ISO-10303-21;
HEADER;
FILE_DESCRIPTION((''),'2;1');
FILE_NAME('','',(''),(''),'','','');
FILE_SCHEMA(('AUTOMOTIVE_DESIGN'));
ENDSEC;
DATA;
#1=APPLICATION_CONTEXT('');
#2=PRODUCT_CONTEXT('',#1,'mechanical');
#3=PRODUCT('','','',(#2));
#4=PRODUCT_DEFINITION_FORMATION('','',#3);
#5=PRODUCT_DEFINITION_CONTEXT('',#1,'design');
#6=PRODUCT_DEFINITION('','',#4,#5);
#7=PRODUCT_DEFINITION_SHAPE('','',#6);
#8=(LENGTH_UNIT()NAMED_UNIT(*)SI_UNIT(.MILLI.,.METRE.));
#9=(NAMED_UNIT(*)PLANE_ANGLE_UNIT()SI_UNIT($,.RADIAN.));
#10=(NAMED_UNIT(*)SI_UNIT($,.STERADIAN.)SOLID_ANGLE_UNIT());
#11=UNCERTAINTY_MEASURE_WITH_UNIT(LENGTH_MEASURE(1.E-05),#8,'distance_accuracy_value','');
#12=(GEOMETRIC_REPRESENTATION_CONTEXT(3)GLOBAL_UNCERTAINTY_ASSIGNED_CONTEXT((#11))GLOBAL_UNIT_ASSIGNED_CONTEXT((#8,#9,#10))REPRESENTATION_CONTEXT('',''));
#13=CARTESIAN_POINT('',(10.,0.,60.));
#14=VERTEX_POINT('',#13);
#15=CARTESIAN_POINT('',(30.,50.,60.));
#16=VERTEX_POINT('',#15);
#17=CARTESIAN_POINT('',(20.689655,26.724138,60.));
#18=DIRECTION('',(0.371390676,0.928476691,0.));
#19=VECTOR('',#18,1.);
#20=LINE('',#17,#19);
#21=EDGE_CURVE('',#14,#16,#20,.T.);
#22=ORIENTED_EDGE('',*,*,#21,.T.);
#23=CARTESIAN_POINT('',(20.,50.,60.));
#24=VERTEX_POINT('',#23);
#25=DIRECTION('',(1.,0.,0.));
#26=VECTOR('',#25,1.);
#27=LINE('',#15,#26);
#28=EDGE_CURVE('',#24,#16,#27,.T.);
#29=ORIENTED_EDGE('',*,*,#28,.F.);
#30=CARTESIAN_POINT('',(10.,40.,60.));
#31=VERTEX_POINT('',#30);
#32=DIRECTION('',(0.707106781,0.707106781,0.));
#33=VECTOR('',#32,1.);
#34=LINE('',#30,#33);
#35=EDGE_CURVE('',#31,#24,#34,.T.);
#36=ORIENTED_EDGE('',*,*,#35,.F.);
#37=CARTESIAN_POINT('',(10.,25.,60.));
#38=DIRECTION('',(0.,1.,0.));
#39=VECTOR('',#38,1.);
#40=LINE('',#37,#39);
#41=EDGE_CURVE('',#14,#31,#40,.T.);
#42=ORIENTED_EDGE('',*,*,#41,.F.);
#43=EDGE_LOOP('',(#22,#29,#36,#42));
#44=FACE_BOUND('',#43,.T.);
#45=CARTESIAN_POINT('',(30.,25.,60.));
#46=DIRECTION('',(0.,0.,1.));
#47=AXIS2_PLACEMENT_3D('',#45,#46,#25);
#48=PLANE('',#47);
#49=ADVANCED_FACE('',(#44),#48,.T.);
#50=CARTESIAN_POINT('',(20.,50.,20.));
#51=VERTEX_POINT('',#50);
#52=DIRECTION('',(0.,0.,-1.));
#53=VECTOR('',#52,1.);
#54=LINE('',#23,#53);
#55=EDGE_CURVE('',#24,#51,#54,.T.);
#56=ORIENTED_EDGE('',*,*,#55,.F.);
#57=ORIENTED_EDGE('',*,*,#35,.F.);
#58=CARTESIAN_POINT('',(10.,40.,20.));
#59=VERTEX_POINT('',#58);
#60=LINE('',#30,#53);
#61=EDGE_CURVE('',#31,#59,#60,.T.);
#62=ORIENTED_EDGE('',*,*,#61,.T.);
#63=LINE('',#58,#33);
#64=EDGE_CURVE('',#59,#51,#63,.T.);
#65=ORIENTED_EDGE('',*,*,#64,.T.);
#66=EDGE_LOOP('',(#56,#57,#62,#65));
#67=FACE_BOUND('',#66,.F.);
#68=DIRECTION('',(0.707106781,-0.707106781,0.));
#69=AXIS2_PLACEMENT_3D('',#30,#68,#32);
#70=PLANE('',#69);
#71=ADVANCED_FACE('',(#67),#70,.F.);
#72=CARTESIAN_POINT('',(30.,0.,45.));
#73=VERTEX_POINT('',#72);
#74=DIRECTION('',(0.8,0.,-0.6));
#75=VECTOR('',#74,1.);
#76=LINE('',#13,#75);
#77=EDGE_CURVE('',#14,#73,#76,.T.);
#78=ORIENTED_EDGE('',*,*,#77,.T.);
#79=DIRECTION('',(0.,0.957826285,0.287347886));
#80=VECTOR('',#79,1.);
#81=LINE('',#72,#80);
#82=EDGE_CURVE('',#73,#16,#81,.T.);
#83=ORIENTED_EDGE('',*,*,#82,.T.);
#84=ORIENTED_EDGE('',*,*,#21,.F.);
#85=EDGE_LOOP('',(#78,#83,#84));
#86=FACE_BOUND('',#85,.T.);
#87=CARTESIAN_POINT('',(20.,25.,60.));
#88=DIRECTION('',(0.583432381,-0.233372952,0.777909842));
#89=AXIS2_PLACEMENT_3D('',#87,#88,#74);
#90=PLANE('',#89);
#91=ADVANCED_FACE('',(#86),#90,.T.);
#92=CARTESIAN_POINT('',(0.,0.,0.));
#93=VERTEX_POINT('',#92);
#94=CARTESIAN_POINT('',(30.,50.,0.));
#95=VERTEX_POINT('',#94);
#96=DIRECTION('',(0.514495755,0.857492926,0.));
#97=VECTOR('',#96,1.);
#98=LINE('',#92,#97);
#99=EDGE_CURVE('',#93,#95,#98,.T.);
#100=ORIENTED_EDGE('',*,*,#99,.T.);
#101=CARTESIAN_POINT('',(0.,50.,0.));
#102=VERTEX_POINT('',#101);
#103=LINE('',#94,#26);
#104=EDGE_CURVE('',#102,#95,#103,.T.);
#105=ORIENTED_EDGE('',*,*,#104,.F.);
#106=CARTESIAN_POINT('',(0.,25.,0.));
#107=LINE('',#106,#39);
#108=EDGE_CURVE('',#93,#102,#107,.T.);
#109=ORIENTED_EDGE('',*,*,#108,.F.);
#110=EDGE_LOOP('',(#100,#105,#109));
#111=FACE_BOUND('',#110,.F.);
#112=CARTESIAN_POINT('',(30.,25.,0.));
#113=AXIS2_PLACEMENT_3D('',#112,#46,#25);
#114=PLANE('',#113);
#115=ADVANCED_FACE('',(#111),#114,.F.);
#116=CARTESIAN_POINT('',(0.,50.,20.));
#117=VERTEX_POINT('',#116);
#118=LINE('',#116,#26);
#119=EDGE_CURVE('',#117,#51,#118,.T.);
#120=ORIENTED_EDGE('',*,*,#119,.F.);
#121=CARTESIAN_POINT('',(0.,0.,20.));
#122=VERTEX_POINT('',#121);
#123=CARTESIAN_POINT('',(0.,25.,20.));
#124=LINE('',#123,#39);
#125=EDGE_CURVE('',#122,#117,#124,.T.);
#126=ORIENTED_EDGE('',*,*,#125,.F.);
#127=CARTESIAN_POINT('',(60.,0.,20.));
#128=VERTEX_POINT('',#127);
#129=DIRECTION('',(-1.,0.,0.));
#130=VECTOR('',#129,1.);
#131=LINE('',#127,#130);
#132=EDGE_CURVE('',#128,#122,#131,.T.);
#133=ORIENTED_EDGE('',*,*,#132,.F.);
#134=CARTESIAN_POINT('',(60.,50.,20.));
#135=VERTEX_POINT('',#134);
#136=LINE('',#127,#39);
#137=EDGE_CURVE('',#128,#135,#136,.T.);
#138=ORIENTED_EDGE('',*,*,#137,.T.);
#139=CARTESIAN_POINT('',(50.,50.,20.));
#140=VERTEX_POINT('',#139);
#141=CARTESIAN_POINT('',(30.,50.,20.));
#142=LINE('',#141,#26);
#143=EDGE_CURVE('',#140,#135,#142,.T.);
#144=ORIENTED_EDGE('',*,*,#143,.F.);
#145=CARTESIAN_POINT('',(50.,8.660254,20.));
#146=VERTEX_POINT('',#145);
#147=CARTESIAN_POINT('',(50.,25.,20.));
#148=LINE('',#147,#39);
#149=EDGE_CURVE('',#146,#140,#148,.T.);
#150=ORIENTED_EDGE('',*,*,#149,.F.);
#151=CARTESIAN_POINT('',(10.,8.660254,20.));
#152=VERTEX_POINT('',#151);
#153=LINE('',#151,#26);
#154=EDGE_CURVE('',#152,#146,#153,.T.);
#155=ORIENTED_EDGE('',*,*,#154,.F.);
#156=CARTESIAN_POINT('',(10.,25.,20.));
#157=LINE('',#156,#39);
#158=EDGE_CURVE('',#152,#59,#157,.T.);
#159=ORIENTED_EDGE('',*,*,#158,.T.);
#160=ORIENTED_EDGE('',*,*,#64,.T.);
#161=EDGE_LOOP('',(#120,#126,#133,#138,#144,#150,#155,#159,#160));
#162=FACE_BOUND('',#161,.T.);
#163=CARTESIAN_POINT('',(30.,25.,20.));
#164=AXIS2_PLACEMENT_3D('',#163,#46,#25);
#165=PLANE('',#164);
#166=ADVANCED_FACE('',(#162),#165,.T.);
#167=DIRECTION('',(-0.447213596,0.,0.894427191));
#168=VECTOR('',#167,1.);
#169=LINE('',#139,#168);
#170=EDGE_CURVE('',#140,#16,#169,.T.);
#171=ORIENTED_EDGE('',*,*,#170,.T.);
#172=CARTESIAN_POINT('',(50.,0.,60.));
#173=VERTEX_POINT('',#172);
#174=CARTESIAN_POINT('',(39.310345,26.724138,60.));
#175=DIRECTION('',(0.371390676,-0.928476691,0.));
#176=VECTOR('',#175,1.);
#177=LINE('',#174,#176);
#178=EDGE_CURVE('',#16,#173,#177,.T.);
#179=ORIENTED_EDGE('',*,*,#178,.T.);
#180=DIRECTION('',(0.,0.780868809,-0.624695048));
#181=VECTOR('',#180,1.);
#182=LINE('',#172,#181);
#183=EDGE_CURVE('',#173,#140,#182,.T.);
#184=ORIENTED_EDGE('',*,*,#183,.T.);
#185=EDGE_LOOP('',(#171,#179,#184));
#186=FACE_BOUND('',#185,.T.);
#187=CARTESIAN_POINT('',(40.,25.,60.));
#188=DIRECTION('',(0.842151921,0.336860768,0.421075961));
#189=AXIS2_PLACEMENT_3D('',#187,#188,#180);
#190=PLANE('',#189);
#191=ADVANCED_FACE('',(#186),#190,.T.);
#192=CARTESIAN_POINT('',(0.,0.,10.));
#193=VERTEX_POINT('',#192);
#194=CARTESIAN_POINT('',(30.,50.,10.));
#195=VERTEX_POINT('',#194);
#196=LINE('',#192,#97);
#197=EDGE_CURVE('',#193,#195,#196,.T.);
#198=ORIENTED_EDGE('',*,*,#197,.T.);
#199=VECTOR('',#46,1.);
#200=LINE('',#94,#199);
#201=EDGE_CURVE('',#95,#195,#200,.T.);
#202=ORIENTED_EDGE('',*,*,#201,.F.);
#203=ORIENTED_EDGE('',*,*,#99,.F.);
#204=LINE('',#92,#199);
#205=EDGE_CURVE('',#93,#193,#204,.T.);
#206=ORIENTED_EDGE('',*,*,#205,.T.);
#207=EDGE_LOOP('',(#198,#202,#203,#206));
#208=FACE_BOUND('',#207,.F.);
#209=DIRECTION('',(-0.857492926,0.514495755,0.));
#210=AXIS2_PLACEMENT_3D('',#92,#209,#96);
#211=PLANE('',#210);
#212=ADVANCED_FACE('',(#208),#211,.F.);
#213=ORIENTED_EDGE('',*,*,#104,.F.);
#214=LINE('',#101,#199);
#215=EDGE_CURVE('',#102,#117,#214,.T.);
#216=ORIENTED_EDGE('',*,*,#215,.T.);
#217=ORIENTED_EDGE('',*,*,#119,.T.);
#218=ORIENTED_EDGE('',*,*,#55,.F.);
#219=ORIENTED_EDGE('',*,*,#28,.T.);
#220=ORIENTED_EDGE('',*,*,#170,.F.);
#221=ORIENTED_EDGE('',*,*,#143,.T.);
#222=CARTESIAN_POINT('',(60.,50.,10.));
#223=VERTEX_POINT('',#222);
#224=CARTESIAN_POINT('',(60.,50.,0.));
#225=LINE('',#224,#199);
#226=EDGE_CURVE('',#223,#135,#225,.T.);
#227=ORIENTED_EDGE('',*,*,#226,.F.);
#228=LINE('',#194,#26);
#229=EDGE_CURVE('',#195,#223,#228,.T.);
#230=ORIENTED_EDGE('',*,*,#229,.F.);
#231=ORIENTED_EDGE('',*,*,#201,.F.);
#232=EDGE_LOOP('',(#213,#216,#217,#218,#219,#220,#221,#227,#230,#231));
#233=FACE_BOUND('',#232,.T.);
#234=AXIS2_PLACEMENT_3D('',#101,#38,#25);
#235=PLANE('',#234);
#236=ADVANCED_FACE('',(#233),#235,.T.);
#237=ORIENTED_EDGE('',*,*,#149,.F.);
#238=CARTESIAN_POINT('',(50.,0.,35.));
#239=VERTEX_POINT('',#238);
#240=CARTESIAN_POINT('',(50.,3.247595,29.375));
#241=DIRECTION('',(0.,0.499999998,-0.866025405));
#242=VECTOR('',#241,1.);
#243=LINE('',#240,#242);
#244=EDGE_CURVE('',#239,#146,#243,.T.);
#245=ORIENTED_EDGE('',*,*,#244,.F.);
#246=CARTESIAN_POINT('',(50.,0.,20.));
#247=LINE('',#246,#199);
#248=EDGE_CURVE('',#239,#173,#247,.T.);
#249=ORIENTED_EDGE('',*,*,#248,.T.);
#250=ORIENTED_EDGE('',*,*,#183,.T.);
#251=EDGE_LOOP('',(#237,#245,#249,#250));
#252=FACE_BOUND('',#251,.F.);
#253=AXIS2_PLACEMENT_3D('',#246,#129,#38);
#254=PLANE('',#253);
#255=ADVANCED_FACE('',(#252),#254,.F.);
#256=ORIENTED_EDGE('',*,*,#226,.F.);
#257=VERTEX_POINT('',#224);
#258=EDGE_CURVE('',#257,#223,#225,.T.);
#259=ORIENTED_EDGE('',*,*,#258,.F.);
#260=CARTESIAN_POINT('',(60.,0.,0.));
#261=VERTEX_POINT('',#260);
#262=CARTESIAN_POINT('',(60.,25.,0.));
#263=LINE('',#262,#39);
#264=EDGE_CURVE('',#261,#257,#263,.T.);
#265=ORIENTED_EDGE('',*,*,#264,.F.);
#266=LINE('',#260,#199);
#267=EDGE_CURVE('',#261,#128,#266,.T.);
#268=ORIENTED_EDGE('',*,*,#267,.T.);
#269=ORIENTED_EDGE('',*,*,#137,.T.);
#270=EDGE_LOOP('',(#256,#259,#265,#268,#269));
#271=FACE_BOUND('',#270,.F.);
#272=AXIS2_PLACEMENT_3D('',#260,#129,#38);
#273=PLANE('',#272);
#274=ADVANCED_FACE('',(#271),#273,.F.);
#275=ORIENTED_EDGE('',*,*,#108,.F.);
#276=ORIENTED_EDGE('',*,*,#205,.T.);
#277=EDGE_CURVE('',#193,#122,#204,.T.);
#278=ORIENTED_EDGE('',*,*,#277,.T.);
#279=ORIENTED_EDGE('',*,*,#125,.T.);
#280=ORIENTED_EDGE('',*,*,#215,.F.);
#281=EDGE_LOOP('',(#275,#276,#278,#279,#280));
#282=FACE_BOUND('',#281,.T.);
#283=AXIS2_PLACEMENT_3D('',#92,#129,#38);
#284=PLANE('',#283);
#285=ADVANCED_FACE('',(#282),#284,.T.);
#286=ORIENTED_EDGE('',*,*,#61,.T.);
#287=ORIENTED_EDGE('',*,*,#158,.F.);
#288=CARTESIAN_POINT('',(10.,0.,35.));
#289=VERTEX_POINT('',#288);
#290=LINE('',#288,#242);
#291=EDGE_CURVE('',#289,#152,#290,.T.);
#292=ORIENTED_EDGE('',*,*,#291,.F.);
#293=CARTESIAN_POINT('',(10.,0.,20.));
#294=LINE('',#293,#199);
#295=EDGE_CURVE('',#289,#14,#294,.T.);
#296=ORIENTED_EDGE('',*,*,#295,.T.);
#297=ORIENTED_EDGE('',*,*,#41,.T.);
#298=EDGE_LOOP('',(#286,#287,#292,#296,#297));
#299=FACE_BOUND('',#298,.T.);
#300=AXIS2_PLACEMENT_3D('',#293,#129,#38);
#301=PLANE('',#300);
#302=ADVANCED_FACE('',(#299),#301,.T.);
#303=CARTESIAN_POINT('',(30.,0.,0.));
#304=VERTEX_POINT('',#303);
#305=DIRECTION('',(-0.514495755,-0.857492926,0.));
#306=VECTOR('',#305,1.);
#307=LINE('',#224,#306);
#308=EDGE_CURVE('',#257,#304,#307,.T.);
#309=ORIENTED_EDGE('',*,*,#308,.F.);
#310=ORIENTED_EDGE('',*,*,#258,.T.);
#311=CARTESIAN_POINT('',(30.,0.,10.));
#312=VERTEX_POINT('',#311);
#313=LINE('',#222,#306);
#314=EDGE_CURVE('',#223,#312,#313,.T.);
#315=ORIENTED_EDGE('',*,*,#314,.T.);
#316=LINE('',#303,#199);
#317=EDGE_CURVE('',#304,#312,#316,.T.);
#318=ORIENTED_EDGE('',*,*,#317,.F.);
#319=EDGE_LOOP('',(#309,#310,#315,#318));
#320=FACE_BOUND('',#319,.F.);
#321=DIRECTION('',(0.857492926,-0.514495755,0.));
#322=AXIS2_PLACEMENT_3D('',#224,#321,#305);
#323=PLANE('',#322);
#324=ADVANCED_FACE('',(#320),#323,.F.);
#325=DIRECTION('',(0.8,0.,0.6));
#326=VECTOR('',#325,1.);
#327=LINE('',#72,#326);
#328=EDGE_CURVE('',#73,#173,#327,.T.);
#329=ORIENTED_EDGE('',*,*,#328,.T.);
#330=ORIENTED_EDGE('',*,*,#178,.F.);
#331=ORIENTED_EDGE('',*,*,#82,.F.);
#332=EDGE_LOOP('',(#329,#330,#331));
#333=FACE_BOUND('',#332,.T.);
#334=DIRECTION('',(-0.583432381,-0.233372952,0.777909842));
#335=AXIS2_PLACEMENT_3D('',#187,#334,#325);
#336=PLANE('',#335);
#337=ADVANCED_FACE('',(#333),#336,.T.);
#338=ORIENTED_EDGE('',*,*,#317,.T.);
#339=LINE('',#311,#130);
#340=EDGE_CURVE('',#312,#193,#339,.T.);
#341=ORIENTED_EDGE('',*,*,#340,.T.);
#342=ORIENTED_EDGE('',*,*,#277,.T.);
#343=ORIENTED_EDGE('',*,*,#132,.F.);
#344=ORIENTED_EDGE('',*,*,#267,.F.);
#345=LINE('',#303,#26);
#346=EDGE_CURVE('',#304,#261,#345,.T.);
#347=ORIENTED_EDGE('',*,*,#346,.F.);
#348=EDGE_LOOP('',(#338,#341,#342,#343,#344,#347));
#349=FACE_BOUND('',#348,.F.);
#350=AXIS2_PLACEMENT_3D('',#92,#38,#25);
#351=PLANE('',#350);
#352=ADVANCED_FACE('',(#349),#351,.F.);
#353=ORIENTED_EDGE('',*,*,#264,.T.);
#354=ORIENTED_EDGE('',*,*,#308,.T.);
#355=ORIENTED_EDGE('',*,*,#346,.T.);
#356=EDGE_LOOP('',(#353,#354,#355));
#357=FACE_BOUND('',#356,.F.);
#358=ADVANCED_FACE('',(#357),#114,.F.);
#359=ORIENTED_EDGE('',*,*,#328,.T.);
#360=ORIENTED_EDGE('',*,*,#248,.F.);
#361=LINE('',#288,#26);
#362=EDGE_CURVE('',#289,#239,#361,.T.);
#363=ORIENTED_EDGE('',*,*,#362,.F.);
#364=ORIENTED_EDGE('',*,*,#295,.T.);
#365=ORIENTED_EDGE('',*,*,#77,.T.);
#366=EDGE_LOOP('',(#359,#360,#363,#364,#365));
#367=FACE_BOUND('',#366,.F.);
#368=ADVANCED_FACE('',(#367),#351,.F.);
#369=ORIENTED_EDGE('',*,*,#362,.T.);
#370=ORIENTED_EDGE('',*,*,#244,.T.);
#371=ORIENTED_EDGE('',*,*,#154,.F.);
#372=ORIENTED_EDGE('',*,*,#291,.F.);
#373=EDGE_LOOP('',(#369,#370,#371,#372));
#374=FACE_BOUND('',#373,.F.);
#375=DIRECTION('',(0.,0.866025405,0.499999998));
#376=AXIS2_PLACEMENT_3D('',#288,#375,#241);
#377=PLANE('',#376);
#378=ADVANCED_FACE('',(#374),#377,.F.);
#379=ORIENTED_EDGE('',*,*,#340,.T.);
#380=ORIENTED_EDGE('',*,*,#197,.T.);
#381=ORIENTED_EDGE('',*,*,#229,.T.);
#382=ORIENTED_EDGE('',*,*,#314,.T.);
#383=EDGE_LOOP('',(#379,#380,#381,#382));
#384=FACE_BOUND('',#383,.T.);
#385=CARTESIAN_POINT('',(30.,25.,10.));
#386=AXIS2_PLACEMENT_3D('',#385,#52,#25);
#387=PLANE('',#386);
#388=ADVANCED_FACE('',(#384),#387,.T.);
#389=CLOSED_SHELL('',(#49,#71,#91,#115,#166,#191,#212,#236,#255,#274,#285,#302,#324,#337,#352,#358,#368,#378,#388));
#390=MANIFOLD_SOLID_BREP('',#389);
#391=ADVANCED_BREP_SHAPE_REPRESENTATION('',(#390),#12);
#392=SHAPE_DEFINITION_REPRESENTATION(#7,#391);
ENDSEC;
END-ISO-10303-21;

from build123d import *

# Parameters (mm, degrees)
F0_W      = 60
F0_H      = 50
F1_DEPTH  = 20
F2_W      = 40
F2_H      = 50
F3_DEPTH  = 40
F5_DEPTH  = 10
F10_DEPTH = 40
F12_DEPTH = 50.001


with BuildPart() as f1:
    # F0 (on Top) → F1 (new body)
    with BuildSketch(Plane.XY):
        with Locations((30, 25)):
            Rectangle(F0_W, F0_H)
    extrude(amount=F1_DEPTH)

    # F2 (on face) → F3 (join)
    with BuildSketch(Plane.XY.offset(20)):
        with Locations((30, 25)):
            Rectangle(F2_W, F2_H)
    extrude(amount=F3_DEPTH)

    # F4 (on face) → F5 (cut)
    with BuildSketch(Plane(origin=(0, 0, 0), x_dir=(1, 0, 0), z_dir=(0, 0, -1))):
        Polygon((30, 0), (0, 0), (30, -50), (60, -50), align=None)
    extrude(amount=-F5_DEPTH, mode=Mode.SUBTRACT)

    # F8: sweep along a path in F7
    with BuildLine(Plane.YZ.offset(50)) as f8_path:
        Line((0, 45), (50, 60))
    # F6 (on face) → F8 (sweep, cut)
    with BuildSketch(Plane.XZ):
        Polygon((50, 60), (10, 60), (30, 45), align=None)
    sweep(path=f8_path.line, mode=Mode.SUBTRACT)

    # F9 (on face) → F10 (cut)
    with BuildSketch(Plane.XY.offset(60)):
        Polygon((20, 50), (10, 50), (10, 40), align=None)
    extrude(amount=-F10_DEPTH, mode=Mode.SUBTRACT)

    # F11 (on face) → F12 (cut, through all)
    with BuildSketch(Plane(origin=(10, 0, 0), x_dir=(0, -1, 0), z_dir=(-1, 0, 0))):
        Polygon((0, 20), (0, 35), (-8.660254, 20), align=None)
    extrude(amount=-F12_DEPTH, mode=Mode.SUBTRACT)

    # F15: sweep along a path in F14
    with BuildLine(Plane(origin=(0, 50, 0), x_dir=(-1, 0, 0), z_dir=(0, 1, 0))) as f15_path:
        Line((-50, 20), (-30, 60))
    # F13 (on face) → F15 (sweep, cut)
    with BuildSketch(Plane.YZ.offset(50)):
        Polygon((50, 60), (0, 60), (50, 20), align=None)
    sweep(path=f15_path.line, mode=Mode.SUBTRACT)


solid = f1.part
